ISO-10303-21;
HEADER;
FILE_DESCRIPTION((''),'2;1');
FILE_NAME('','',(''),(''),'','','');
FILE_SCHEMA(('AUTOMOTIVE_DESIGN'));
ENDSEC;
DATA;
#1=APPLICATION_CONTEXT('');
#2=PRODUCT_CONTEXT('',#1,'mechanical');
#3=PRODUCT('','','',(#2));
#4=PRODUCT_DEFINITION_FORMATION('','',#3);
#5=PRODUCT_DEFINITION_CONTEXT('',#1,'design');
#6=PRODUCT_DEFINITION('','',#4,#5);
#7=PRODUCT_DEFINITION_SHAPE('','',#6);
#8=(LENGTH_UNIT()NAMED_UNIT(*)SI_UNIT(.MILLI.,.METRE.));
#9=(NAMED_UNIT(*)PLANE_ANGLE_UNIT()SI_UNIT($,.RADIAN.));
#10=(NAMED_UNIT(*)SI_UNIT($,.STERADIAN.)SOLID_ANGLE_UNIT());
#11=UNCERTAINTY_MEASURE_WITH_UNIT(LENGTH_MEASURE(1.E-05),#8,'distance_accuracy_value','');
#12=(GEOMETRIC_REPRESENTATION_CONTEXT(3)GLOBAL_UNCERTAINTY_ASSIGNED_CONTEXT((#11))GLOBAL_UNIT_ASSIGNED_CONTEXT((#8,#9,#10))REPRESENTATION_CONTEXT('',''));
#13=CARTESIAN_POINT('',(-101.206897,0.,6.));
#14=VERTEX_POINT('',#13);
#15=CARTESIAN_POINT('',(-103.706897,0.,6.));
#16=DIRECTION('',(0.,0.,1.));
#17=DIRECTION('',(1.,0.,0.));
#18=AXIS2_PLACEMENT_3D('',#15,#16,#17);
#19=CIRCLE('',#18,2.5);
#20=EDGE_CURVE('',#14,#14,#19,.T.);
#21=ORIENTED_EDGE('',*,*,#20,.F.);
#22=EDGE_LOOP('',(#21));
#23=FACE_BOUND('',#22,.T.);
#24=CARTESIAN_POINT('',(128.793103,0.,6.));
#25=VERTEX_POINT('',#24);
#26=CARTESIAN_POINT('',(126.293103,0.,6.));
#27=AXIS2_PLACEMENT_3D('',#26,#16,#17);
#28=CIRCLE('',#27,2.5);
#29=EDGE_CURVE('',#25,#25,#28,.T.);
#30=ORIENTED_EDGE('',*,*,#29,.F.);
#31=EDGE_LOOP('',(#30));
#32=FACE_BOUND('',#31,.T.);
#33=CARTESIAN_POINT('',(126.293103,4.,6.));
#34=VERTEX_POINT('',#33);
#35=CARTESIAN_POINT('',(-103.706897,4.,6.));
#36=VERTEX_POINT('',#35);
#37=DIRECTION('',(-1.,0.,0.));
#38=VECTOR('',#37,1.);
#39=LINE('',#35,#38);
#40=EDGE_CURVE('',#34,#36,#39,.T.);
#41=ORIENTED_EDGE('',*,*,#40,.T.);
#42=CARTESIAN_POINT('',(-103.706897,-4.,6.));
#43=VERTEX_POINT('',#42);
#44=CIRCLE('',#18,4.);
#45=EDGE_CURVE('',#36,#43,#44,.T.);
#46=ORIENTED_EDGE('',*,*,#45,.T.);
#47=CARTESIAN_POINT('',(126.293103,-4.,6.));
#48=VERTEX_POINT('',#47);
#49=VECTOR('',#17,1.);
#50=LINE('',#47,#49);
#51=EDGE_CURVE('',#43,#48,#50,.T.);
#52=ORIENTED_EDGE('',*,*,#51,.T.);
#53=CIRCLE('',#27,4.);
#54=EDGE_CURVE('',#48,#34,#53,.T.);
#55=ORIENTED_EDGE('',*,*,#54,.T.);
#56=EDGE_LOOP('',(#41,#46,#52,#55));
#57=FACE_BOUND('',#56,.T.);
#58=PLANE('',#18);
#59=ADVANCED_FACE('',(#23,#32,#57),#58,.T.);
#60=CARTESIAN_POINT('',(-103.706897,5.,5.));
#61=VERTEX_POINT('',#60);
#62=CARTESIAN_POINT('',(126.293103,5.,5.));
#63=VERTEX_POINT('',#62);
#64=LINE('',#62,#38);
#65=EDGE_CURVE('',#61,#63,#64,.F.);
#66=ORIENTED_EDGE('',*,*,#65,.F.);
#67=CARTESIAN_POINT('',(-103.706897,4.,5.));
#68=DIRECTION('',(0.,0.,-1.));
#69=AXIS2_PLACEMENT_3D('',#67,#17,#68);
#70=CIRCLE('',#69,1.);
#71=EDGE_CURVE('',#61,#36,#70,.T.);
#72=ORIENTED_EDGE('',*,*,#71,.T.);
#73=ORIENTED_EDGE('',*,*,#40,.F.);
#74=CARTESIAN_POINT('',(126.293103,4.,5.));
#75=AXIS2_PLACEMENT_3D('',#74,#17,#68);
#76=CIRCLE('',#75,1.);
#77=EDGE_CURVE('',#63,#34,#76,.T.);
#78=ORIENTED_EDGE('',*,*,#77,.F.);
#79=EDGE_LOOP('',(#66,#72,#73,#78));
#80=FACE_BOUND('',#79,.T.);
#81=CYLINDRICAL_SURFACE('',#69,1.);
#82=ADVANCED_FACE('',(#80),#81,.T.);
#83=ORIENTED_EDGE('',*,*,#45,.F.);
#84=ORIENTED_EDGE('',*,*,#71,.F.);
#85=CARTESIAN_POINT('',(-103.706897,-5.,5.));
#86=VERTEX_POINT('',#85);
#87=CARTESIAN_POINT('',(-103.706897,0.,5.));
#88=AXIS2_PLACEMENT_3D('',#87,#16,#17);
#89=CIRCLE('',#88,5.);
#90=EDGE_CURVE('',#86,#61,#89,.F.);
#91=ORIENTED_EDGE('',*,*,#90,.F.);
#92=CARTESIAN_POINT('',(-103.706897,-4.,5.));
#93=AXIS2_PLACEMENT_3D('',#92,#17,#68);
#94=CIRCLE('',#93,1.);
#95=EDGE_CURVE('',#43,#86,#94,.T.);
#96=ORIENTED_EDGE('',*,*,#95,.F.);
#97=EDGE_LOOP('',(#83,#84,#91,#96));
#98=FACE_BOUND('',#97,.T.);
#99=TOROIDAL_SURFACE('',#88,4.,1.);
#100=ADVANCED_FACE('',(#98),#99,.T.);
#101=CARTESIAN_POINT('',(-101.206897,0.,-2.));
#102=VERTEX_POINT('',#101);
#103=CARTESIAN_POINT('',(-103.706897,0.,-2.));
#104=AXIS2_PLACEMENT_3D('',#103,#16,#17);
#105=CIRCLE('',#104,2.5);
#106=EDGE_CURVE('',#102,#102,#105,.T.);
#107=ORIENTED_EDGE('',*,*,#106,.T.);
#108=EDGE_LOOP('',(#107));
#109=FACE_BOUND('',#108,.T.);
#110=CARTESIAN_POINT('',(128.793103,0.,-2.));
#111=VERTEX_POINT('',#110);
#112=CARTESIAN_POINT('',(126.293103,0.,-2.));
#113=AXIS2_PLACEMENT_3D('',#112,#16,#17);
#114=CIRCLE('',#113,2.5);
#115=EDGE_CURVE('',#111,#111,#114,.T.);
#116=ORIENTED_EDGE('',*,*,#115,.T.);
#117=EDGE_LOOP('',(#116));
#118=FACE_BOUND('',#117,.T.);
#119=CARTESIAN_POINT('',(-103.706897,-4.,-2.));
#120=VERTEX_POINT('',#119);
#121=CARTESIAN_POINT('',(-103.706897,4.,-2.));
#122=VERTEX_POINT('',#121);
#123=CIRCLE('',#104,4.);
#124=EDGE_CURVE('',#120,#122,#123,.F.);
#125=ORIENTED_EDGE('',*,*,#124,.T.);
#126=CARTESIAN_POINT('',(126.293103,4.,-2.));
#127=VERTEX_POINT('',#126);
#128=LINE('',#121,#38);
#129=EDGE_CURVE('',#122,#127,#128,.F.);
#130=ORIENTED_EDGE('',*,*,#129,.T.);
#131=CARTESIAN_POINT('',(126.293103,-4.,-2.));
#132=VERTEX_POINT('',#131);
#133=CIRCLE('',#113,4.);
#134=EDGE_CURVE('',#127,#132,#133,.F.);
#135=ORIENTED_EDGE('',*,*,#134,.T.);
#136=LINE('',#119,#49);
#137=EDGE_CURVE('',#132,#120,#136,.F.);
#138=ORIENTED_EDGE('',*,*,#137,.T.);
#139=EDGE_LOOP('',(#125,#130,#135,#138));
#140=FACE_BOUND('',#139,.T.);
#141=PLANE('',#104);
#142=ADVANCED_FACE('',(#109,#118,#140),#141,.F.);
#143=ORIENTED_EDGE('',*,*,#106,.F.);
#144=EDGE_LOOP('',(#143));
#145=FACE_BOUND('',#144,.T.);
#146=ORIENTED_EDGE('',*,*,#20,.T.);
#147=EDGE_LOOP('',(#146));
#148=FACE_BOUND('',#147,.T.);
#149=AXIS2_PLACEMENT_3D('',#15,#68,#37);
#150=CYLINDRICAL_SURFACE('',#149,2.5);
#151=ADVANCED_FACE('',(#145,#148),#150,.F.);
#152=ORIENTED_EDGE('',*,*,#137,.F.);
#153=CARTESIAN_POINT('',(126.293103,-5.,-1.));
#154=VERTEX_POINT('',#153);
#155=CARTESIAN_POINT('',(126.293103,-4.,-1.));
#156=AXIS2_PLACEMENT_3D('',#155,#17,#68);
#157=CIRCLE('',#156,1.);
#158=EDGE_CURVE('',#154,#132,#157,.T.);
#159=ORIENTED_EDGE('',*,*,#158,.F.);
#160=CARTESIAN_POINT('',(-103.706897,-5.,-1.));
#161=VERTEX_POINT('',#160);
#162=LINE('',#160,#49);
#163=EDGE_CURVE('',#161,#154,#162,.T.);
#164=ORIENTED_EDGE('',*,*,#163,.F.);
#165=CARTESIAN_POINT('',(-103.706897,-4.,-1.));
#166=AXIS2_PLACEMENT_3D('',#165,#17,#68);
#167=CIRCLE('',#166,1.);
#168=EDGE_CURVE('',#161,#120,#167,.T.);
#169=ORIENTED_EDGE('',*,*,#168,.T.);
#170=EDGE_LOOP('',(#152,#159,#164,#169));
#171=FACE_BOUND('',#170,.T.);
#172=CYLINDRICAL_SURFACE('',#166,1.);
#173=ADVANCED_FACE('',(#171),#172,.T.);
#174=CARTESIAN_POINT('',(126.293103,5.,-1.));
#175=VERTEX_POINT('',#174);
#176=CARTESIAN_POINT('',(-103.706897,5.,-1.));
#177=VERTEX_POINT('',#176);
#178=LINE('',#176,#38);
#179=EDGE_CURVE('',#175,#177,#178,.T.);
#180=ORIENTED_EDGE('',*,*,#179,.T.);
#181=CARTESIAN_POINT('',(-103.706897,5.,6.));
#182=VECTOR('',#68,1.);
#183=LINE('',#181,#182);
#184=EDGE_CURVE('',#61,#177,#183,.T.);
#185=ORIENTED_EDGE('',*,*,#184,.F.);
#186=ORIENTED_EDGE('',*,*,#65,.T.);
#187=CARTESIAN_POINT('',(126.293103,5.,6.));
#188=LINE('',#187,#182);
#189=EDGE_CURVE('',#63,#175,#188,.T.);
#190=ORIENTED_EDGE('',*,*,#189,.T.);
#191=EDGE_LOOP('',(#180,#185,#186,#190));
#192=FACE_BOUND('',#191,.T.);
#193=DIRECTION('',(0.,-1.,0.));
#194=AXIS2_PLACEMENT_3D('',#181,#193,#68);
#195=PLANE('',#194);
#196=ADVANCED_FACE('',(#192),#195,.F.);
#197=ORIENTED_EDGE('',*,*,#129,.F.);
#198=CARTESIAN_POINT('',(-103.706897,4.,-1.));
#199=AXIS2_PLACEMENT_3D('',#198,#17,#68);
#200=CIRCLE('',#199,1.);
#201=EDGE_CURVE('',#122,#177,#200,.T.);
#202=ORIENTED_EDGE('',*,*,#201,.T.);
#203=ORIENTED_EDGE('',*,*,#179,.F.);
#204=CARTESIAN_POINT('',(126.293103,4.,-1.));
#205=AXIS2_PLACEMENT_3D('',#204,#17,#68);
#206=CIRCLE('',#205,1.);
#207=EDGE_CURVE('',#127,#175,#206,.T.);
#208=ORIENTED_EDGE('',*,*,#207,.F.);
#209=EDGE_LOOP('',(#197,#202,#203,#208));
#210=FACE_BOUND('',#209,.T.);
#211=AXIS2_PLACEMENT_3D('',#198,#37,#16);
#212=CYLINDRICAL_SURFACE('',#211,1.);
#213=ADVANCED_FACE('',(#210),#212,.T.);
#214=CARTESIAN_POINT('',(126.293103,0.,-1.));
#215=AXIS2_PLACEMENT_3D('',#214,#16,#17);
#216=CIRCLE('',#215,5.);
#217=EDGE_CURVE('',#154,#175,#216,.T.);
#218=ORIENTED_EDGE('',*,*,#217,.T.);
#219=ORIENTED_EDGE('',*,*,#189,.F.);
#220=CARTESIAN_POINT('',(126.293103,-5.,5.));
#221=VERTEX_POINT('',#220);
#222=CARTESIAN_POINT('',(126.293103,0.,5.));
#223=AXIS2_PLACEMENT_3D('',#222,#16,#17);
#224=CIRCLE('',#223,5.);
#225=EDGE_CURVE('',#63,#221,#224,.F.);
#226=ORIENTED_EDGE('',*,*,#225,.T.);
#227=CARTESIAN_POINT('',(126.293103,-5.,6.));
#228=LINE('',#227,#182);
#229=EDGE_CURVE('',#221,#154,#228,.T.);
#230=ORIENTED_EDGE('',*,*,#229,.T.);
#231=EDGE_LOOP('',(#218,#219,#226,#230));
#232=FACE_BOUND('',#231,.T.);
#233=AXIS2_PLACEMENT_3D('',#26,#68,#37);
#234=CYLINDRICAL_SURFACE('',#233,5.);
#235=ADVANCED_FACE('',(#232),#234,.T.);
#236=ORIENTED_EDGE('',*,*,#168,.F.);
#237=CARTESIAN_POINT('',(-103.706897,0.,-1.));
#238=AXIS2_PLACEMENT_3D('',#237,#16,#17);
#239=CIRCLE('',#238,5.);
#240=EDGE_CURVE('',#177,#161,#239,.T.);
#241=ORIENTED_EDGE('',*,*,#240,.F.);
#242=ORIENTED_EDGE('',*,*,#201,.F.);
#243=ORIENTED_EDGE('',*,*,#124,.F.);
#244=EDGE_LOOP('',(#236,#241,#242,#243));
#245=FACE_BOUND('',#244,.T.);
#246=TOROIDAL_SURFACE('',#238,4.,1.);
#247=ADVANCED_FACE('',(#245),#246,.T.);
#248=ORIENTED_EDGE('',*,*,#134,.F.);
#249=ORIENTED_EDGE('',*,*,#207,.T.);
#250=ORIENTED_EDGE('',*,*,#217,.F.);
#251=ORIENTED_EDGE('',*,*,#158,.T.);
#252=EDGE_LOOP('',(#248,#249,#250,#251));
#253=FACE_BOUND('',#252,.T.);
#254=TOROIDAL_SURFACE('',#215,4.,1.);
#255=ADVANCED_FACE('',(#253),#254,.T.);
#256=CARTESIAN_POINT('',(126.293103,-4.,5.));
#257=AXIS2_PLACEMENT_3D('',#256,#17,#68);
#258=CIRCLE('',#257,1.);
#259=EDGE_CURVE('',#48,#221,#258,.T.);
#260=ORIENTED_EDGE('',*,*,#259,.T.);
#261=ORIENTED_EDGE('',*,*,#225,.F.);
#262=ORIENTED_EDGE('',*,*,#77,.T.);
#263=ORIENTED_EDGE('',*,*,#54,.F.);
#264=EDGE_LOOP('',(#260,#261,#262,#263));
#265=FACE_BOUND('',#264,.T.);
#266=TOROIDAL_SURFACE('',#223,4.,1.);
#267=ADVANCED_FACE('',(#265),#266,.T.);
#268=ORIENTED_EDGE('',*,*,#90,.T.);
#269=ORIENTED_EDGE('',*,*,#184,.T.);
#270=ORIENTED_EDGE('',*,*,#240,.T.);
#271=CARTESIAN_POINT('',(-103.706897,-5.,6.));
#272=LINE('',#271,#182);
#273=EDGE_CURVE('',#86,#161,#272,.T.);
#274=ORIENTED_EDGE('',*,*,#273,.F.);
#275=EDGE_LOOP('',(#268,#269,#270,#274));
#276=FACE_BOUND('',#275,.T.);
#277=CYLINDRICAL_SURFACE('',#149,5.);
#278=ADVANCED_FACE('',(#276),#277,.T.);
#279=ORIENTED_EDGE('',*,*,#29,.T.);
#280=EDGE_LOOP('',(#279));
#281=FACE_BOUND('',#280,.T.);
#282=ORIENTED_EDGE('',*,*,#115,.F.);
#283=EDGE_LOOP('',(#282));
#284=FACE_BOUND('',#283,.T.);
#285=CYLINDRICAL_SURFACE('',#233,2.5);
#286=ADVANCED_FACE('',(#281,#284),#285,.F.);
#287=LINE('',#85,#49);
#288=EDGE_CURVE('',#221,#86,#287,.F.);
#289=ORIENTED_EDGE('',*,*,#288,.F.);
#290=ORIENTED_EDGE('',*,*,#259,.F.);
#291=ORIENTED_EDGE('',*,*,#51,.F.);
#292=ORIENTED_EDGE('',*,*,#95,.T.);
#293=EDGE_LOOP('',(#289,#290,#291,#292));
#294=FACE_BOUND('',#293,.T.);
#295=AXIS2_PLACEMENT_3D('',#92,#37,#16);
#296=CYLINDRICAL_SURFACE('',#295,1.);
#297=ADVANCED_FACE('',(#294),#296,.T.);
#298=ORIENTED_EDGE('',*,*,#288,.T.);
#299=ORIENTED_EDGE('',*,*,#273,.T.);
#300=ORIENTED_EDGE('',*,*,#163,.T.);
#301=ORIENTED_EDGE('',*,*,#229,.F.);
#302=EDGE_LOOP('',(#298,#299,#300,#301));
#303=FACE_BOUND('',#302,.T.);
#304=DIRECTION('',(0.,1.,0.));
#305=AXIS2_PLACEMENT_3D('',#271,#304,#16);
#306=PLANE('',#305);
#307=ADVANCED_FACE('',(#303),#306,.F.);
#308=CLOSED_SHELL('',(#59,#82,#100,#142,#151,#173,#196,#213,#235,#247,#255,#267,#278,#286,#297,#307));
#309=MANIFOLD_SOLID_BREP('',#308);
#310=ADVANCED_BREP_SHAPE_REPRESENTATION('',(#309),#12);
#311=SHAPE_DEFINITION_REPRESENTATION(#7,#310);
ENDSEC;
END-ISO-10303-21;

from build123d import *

# Parameters (mm, degrees)
SKETCH1_R           = 1.25
BOSS_EXTRUDE1_DEPTH = 4
FILLET1_R           = 0.5
SCALE_1_SCALE       = 2


with BuildPart() as part:
    # Sketch1 → Boss-Extrude1 (new body)
    with BuildSketch(Plane.XY):
        with BuildLine():
            Line((-46.206896552, 2.5), (68.793103448, 2.5))
            ThreePointArc((68.793103448, 2.5), (71.293103448, 0), (68.793103448, -2.5))
            Line((68.793103448, -2.5), (-46.206896552, -2.5))
            ThreePointArc((-46.206896552, -2.5), (-48.706896552, 0), (-46.206896552, 2.5))
        make_face()
        with Locations((-46.206896552, 0)):
            Circle(SKETCH1_R, mode=Mode.SUBTRACT)
        with Locations((68.793103448, 0)):
            Circle(SKETCH1_R, mode=Mode.SUBTRACT)
    extrude(amount=BOSS_EXTRUDE1_DEPTH)

    # Fillet1
    fillet1_edges = [part.edges().sort_by_distance(p)[0] for p in [
        (71.293103448, 0, 4),
        (11.293103448, 2.5, 4),
        (-48.706896552, 0, 4),
        (11.293103448, 2.5, 0),
        (71.293103448, 0, 0),
        (11.293103448, -2.5, 0),
        (-48.706896552, 0, 0),
        (11.293103448, -2.5, 4),
    ]]
    fillet(fillet1_edges, radius=FILLET1_R)


with BuildPart() as part_1:
    # 缩放比例1: scaled about (11.293103448, 0, 2)
    add(part.part.scale(SCALE_1_SCALE).moved(Location((-11.293103448, 0, -2))))


solid = part_1.part
